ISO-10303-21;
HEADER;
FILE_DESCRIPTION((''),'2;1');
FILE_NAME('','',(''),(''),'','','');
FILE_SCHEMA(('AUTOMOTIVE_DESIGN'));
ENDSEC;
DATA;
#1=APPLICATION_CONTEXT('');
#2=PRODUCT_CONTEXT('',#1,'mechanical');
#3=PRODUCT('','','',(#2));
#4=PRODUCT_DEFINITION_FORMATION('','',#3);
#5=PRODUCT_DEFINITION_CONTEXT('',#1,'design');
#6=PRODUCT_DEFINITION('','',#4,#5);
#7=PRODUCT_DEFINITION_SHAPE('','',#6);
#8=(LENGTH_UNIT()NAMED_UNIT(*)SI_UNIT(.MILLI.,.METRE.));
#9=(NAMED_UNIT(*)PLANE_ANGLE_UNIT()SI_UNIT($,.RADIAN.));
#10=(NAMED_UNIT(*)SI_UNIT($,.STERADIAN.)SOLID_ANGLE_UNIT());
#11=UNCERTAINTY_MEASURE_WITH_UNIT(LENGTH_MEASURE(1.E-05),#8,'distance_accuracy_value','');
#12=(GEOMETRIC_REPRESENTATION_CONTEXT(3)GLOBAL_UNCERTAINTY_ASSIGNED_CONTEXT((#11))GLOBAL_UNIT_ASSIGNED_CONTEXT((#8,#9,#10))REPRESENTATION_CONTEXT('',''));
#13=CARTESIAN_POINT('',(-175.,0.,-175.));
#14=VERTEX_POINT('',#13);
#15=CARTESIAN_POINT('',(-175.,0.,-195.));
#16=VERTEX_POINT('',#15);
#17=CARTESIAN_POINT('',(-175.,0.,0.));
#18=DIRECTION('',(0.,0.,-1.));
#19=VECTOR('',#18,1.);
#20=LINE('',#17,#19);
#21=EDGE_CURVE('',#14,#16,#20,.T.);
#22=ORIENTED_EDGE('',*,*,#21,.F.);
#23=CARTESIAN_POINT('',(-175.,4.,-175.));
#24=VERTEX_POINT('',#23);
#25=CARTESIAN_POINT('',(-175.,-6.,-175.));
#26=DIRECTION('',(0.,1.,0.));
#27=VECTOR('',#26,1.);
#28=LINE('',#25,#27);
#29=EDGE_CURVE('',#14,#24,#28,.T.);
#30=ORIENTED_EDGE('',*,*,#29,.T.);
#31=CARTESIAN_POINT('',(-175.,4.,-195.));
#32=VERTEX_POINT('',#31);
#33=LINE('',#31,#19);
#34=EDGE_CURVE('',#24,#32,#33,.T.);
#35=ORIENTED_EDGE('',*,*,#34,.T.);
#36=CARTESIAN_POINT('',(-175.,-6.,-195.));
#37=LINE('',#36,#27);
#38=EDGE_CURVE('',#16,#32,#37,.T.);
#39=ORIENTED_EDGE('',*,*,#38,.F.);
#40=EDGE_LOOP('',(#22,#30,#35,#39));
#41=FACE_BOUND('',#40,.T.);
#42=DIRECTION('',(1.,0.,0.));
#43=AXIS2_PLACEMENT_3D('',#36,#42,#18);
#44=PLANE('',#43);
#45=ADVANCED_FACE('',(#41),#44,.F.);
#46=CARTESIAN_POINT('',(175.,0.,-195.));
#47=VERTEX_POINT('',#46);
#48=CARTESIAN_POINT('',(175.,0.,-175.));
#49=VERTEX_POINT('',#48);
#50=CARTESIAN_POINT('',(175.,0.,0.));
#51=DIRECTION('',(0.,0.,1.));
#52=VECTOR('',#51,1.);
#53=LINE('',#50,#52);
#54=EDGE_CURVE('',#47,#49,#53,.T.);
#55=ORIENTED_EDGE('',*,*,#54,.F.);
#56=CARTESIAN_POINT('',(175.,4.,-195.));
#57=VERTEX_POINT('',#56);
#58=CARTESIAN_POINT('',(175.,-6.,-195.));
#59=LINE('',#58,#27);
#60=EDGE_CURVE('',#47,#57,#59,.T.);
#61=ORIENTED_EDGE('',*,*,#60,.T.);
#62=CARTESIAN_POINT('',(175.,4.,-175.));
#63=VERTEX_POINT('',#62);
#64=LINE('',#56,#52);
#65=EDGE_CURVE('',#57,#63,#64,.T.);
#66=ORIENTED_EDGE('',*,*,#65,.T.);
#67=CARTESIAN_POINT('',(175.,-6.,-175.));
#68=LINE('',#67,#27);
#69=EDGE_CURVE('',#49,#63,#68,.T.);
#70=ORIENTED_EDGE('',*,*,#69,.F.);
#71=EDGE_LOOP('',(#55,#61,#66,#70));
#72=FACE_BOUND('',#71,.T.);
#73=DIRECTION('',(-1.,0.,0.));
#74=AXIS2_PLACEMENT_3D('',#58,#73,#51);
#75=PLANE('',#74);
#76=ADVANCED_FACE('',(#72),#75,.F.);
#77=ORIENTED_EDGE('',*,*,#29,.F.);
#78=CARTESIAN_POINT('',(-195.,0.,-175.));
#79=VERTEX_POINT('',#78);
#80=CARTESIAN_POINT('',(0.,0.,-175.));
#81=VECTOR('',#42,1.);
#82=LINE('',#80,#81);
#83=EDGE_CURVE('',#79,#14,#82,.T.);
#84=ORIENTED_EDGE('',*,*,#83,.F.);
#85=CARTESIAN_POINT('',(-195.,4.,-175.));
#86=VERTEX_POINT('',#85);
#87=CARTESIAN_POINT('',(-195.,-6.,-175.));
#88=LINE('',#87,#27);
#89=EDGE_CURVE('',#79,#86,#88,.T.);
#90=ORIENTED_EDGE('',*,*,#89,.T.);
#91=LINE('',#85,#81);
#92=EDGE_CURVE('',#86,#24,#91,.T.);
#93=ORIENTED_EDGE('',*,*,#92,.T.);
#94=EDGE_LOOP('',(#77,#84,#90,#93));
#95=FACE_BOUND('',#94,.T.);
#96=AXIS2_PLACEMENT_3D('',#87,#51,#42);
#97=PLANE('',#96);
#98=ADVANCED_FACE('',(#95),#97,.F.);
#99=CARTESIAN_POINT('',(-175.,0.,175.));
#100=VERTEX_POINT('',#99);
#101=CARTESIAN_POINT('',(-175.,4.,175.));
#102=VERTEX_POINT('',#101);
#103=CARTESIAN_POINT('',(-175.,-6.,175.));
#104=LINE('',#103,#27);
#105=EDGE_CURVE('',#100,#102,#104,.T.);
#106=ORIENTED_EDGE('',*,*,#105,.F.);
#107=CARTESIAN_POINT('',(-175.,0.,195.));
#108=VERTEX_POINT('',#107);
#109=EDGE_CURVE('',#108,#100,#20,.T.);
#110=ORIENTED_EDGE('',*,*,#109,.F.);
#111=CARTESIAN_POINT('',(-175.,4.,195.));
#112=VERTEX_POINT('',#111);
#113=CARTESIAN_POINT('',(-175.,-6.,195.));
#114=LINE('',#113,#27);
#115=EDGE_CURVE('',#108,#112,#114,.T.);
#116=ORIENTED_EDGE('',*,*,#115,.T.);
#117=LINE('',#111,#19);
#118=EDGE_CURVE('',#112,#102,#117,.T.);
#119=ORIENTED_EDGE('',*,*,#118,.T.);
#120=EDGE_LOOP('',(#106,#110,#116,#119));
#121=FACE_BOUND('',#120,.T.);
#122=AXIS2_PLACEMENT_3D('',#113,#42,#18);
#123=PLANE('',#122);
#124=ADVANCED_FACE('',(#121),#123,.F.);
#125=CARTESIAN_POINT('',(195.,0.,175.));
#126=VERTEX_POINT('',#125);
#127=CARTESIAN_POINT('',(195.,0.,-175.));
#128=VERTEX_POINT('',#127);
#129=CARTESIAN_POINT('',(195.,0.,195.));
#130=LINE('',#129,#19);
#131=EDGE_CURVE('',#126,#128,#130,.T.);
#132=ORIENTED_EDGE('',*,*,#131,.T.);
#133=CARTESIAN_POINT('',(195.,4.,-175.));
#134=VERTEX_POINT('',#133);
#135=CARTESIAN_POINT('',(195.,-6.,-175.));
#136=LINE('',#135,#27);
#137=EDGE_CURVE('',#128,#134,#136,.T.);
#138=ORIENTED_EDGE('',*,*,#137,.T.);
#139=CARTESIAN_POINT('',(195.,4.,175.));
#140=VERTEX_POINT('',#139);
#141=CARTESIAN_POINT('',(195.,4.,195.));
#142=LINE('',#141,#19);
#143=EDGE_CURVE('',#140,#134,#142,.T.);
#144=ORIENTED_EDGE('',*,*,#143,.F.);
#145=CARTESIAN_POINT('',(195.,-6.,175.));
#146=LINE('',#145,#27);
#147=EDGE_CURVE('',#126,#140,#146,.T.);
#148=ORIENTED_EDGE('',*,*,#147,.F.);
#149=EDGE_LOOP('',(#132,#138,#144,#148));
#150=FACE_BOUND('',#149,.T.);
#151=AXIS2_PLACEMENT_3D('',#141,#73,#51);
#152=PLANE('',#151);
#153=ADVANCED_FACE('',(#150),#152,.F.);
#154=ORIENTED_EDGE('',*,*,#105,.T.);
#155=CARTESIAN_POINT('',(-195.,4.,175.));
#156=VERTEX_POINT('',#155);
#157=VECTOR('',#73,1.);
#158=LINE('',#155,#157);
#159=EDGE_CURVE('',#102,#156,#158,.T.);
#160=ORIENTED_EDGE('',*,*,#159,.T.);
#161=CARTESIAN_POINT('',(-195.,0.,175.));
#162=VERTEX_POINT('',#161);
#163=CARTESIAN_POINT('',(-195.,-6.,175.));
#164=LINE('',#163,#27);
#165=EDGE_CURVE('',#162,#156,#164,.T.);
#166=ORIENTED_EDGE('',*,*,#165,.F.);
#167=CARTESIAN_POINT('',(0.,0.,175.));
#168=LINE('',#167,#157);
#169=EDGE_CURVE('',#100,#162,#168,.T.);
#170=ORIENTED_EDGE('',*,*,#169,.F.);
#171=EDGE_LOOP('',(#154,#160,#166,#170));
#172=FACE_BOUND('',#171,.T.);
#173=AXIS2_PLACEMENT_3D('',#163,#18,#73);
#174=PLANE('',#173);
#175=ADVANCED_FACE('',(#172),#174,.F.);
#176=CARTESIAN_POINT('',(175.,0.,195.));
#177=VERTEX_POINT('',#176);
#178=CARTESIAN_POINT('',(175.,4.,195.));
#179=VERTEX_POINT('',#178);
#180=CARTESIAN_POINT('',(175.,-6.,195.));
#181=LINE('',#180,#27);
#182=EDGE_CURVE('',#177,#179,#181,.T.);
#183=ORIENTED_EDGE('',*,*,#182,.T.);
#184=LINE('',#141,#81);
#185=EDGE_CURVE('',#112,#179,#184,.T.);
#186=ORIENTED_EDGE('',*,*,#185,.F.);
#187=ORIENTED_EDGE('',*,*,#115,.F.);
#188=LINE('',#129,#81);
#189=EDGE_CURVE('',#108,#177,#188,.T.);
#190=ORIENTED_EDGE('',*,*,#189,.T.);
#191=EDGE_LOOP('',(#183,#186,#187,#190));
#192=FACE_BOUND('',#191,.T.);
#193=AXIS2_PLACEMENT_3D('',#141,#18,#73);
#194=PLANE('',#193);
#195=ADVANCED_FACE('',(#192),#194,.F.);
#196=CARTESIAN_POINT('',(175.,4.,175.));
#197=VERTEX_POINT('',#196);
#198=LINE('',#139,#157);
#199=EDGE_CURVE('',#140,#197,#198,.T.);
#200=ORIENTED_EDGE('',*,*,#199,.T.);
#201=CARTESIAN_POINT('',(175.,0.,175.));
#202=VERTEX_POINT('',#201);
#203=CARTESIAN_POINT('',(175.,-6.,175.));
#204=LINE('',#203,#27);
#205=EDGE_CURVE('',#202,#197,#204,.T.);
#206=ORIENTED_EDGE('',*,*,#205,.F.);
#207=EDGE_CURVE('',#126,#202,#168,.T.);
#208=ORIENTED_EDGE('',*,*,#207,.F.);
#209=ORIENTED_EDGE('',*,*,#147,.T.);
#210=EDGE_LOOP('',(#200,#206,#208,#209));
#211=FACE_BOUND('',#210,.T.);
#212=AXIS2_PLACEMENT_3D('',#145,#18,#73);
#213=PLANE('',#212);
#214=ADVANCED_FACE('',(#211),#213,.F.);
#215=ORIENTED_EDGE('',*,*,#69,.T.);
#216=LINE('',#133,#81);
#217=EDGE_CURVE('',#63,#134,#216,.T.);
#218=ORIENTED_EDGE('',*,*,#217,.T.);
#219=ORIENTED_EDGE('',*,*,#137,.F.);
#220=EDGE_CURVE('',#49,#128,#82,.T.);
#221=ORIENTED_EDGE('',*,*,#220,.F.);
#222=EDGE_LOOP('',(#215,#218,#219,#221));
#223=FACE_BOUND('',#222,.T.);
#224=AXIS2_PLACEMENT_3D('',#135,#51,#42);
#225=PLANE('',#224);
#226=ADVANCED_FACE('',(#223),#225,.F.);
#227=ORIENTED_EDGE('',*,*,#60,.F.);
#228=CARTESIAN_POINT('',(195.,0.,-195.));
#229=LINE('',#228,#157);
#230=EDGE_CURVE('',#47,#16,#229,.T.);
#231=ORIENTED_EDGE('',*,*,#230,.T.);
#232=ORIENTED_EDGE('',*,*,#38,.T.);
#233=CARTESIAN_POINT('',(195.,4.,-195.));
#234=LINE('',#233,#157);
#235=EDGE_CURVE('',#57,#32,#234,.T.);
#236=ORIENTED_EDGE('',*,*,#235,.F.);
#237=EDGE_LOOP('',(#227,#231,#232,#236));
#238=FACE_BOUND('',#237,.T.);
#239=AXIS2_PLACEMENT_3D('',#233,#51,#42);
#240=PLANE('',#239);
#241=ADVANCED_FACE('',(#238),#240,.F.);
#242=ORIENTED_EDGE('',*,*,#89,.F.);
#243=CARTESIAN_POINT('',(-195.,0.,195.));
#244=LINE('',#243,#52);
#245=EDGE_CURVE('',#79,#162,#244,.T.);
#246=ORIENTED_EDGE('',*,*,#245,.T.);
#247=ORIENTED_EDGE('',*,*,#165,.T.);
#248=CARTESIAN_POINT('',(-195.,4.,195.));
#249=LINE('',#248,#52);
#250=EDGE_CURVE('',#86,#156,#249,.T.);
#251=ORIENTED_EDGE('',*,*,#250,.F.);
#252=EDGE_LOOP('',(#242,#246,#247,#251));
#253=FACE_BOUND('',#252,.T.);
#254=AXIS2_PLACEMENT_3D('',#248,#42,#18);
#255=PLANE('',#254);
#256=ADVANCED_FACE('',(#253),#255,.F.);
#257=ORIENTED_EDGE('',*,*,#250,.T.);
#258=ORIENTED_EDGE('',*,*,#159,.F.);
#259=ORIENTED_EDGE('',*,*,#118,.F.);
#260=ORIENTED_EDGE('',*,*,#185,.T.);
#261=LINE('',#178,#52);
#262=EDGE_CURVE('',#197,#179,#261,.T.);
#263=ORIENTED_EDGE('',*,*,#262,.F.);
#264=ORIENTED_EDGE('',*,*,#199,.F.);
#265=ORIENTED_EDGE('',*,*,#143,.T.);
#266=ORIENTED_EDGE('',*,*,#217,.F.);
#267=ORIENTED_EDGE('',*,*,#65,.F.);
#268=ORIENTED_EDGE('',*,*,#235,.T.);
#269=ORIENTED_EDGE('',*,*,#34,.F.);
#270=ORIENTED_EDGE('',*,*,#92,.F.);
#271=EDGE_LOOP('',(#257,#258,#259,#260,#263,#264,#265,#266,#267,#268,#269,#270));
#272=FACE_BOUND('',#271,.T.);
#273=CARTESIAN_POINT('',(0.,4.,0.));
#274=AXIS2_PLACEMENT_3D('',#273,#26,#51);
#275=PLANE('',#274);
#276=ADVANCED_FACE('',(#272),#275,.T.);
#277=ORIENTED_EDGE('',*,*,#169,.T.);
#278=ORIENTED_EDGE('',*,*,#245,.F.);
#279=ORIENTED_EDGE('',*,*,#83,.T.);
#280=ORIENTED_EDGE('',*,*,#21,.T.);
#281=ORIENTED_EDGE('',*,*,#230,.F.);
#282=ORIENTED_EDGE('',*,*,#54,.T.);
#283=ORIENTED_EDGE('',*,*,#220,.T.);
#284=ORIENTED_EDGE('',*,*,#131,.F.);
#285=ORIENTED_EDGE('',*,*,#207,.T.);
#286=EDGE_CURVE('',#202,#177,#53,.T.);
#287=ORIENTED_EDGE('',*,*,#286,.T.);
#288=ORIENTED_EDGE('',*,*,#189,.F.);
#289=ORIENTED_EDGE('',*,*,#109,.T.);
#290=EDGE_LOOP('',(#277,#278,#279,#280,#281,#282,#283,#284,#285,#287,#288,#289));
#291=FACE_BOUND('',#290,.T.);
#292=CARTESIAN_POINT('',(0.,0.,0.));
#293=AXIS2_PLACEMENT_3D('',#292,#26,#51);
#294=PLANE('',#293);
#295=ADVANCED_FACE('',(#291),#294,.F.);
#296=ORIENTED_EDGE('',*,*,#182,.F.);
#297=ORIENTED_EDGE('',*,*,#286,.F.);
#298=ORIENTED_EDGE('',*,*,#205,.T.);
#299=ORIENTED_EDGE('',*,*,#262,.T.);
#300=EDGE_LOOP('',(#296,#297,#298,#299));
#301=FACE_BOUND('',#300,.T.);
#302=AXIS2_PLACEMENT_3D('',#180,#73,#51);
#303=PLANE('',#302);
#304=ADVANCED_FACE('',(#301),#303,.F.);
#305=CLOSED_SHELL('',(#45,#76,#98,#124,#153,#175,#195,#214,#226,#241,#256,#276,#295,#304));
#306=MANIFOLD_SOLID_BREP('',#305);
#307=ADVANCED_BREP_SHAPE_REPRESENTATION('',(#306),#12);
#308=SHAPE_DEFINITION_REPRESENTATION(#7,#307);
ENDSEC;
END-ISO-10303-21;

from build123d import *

# Parameters (mm, degrees)
SKETCH1_W           = 390
SKETCH1_H           = 390
BOSS_EXTRUDE1_DEPTH = 4
SKETCH2_W           = 20
SKETCH2_H           = 20
CUT_EXTRUDE1_DEPTH  = 10


with BuildPart() as part:
    # Sketch1 → Boss-Extrude1 (new body)
    with BuildSketch(Plane(origin=(0, 0, 0), x_dir=(1, 0, 0), z_dir=(0, 1, 0))):
        Rectangle(SKETCH1_W, SKETCH1_H)
    extrude(amount=BOSS_EXTRUDE1_DEPTH)

    # Sketch2 → Cut-Extrude1 (cut)
    with BuildSketch(Plane(origin=(0, 4, 0), x_dir=(1, 0, 0), z_dir=(0, 1, 0))):
        with Locations((-185, 185)):
            Rectangle(SKETCH2_W, SKETCH2_H)
        with Locations((185, 185)):
            Rectangle(SKETCH2_W, SKETCH2_H)
        with Locations((185, -185)):
            Rectangle(SKETCH2_W, SKETCH2_H)
        with Locations((-185, -185)):
            Rectangle(SKETCH2_W, SKETCH2_H)
    extrude(amount=-CUT_EXTRUDE1_DEPTH, mode=Mode.SUBTRACT)


solid = part.part
